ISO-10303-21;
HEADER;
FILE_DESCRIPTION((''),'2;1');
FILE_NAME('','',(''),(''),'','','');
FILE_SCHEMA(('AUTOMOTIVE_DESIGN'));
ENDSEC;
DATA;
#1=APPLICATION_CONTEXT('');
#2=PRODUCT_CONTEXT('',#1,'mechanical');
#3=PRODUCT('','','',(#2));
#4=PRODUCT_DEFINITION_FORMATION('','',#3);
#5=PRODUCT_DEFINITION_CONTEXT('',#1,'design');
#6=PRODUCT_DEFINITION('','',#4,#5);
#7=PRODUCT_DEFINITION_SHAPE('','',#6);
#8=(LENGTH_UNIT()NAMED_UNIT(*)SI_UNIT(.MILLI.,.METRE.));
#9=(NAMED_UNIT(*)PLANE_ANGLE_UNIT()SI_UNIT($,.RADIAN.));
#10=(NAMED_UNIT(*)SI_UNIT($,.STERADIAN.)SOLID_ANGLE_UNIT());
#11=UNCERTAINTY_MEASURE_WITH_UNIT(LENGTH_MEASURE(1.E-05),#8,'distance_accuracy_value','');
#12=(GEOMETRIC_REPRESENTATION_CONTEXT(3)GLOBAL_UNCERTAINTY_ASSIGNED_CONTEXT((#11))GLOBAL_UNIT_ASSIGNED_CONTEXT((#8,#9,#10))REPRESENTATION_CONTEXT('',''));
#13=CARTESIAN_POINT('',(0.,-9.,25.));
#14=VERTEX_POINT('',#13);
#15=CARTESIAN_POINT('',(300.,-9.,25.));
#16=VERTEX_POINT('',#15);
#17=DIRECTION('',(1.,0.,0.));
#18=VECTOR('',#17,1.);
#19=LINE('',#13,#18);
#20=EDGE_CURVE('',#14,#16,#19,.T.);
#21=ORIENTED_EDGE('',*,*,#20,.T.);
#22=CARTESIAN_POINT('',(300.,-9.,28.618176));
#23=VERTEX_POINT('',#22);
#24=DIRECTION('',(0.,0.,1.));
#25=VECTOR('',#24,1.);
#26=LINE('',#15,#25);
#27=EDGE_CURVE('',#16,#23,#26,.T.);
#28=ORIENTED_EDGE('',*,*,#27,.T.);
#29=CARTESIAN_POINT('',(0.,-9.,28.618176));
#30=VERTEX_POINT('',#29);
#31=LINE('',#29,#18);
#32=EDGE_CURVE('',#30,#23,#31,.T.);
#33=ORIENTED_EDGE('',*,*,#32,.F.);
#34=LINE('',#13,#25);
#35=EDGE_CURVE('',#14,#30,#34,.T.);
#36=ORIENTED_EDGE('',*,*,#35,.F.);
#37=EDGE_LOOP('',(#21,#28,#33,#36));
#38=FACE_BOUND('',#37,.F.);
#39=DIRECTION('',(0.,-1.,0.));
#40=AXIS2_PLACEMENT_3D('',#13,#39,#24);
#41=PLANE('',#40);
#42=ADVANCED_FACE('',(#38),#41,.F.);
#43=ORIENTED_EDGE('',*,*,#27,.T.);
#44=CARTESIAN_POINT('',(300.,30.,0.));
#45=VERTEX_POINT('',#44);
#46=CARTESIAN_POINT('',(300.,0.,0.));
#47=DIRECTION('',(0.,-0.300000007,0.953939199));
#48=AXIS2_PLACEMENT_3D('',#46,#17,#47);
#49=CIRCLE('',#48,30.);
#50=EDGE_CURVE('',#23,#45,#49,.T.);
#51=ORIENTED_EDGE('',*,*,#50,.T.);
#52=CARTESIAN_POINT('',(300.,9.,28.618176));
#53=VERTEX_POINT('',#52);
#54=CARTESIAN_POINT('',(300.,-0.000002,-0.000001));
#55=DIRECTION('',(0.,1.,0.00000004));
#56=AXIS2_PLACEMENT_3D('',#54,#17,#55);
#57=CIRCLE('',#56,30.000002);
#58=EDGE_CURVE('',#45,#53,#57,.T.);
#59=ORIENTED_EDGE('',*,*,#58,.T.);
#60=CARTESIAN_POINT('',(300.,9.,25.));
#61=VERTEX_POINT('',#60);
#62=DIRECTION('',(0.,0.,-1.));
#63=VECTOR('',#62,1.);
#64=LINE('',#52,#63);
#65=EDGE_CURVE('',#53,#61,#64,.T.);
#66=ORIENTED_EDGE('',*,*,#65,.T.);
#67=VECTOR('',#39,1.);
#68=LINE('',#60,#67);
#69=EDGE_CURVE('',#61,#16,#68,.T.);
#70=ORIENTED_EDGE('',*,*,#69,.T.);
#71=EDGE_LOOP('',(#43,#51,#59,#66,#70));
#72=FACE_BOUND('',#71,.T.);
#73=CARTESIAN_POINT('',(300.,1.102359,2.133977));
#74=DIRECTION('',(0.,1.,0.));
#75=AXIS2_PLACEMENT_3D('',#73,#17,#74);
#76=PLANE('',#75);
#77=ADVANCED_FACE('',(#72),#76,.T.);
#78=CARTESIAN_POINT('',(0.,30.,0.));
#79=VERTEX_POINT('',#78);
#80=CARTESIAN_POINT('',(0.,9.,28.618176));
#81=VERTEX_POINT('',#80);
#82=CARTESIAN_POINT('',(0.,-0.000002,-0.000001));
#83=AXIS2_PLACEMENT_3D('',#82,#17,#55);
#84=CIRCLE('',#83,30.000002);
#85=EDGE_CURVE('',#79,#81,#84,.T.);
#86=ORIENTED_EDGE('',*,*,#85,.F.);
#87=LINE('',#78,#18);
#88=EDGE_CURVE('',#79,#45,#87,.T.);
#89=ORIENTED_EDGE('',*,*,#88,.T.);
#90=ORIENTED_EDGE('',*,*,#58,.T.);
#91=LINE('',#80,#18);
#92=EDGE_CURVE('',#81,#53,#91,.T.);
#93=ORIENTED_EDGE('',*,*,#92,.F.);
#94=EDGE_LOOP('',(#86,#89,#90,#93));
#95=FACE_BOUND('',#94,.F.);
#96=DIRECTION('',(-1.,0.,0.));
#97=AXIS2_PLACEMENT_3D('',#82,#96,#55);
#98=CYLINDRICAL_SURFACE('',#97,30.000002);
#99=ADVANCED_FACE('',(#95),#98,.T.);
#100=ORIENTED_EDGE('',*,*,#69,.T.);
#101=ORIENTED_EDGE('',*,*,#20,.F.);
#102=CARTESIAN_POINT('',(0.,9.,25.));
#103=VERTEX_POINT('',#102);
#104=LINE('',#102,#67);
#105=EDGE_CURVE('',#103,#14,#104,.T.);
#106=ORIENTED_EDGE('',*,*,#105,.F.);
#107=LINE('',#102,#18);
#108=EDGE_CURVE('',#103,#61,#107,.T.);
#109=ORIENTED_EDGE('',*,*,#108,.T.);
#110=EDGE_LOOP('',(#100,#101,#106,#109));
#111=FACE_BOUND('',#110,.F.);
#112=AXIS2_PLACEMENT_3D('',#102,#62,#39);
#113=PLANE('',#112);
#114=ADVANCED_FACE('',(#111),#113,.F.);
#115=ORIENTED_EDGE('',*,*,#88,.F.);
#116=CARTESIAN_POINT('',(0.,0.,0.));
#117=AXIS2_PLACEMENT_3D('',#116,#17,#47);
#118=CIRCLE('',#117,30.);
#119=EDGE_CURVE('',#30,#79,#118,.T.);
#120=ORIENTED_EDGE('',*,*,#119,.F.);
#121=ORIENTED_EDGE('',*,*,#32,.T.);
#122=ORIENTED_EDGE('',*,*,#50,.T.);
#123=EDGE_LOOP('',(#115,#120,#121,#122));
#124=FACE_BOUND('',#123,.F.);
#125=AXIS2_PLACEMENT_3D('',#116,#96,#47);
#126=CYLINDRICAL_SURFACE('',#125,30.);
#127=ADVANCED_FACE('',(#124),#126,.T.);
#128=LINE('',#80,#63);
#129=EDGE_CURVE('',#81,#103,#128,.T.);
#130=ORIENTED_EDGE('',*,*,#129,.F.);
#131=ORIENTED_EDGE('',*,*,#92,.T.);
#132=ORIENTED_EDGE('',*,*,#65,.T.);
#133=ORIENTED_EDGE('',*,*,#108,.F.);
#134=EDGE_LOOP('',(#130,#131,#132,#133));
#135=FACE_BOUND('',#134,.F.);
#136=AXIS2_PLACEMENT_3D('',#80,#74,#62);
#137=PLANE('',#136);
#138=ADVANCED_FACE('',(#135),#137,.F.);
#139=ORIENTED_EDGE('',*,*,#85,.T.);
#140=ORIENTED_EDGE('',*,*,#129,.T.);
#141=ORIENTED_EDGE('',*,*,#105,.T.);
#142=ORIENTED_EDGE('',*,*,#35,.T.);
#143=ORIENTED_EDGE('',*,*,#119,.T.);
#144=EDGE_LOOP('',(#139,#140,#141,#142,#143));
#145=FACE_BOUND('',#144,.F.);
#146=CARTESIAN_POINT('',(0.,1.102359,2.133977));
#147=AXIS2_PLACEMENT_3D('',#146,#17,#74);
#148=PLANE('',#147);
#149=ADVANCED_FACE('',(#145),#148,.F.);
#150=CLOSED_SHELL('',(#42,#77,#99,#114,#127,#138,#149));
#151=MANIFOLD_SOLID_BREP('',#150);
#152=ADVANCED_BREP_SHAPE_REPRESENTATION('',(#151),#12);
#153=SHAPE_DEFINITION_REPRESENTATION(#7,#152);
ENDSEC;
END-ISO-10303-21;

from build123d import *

# Parameters (mm, degrees)
F1_DEPTH = 300


with BuildPart() as f1:
    # F0 (on Right) → F1 (new body)
    with BuildSketch(Plane.YZ):
        with BuildLine():
            ThreePointArc((-9, 28.618176), (-17.748239, -24.186773), (30, 0))
            ThreePointArc((30, 0), (24.186773, 17.748239), (9, 28.618176))
            Line((9, 28.618176), (9, 25))
            Line((9, 25), (0, 25))
            Line((0, 25), (-9, 25))
            Line((-9, 25), (-9, 28.618176))
        make_face()
    extrude(amount=F1_DEPTH)


solid = f1.part
